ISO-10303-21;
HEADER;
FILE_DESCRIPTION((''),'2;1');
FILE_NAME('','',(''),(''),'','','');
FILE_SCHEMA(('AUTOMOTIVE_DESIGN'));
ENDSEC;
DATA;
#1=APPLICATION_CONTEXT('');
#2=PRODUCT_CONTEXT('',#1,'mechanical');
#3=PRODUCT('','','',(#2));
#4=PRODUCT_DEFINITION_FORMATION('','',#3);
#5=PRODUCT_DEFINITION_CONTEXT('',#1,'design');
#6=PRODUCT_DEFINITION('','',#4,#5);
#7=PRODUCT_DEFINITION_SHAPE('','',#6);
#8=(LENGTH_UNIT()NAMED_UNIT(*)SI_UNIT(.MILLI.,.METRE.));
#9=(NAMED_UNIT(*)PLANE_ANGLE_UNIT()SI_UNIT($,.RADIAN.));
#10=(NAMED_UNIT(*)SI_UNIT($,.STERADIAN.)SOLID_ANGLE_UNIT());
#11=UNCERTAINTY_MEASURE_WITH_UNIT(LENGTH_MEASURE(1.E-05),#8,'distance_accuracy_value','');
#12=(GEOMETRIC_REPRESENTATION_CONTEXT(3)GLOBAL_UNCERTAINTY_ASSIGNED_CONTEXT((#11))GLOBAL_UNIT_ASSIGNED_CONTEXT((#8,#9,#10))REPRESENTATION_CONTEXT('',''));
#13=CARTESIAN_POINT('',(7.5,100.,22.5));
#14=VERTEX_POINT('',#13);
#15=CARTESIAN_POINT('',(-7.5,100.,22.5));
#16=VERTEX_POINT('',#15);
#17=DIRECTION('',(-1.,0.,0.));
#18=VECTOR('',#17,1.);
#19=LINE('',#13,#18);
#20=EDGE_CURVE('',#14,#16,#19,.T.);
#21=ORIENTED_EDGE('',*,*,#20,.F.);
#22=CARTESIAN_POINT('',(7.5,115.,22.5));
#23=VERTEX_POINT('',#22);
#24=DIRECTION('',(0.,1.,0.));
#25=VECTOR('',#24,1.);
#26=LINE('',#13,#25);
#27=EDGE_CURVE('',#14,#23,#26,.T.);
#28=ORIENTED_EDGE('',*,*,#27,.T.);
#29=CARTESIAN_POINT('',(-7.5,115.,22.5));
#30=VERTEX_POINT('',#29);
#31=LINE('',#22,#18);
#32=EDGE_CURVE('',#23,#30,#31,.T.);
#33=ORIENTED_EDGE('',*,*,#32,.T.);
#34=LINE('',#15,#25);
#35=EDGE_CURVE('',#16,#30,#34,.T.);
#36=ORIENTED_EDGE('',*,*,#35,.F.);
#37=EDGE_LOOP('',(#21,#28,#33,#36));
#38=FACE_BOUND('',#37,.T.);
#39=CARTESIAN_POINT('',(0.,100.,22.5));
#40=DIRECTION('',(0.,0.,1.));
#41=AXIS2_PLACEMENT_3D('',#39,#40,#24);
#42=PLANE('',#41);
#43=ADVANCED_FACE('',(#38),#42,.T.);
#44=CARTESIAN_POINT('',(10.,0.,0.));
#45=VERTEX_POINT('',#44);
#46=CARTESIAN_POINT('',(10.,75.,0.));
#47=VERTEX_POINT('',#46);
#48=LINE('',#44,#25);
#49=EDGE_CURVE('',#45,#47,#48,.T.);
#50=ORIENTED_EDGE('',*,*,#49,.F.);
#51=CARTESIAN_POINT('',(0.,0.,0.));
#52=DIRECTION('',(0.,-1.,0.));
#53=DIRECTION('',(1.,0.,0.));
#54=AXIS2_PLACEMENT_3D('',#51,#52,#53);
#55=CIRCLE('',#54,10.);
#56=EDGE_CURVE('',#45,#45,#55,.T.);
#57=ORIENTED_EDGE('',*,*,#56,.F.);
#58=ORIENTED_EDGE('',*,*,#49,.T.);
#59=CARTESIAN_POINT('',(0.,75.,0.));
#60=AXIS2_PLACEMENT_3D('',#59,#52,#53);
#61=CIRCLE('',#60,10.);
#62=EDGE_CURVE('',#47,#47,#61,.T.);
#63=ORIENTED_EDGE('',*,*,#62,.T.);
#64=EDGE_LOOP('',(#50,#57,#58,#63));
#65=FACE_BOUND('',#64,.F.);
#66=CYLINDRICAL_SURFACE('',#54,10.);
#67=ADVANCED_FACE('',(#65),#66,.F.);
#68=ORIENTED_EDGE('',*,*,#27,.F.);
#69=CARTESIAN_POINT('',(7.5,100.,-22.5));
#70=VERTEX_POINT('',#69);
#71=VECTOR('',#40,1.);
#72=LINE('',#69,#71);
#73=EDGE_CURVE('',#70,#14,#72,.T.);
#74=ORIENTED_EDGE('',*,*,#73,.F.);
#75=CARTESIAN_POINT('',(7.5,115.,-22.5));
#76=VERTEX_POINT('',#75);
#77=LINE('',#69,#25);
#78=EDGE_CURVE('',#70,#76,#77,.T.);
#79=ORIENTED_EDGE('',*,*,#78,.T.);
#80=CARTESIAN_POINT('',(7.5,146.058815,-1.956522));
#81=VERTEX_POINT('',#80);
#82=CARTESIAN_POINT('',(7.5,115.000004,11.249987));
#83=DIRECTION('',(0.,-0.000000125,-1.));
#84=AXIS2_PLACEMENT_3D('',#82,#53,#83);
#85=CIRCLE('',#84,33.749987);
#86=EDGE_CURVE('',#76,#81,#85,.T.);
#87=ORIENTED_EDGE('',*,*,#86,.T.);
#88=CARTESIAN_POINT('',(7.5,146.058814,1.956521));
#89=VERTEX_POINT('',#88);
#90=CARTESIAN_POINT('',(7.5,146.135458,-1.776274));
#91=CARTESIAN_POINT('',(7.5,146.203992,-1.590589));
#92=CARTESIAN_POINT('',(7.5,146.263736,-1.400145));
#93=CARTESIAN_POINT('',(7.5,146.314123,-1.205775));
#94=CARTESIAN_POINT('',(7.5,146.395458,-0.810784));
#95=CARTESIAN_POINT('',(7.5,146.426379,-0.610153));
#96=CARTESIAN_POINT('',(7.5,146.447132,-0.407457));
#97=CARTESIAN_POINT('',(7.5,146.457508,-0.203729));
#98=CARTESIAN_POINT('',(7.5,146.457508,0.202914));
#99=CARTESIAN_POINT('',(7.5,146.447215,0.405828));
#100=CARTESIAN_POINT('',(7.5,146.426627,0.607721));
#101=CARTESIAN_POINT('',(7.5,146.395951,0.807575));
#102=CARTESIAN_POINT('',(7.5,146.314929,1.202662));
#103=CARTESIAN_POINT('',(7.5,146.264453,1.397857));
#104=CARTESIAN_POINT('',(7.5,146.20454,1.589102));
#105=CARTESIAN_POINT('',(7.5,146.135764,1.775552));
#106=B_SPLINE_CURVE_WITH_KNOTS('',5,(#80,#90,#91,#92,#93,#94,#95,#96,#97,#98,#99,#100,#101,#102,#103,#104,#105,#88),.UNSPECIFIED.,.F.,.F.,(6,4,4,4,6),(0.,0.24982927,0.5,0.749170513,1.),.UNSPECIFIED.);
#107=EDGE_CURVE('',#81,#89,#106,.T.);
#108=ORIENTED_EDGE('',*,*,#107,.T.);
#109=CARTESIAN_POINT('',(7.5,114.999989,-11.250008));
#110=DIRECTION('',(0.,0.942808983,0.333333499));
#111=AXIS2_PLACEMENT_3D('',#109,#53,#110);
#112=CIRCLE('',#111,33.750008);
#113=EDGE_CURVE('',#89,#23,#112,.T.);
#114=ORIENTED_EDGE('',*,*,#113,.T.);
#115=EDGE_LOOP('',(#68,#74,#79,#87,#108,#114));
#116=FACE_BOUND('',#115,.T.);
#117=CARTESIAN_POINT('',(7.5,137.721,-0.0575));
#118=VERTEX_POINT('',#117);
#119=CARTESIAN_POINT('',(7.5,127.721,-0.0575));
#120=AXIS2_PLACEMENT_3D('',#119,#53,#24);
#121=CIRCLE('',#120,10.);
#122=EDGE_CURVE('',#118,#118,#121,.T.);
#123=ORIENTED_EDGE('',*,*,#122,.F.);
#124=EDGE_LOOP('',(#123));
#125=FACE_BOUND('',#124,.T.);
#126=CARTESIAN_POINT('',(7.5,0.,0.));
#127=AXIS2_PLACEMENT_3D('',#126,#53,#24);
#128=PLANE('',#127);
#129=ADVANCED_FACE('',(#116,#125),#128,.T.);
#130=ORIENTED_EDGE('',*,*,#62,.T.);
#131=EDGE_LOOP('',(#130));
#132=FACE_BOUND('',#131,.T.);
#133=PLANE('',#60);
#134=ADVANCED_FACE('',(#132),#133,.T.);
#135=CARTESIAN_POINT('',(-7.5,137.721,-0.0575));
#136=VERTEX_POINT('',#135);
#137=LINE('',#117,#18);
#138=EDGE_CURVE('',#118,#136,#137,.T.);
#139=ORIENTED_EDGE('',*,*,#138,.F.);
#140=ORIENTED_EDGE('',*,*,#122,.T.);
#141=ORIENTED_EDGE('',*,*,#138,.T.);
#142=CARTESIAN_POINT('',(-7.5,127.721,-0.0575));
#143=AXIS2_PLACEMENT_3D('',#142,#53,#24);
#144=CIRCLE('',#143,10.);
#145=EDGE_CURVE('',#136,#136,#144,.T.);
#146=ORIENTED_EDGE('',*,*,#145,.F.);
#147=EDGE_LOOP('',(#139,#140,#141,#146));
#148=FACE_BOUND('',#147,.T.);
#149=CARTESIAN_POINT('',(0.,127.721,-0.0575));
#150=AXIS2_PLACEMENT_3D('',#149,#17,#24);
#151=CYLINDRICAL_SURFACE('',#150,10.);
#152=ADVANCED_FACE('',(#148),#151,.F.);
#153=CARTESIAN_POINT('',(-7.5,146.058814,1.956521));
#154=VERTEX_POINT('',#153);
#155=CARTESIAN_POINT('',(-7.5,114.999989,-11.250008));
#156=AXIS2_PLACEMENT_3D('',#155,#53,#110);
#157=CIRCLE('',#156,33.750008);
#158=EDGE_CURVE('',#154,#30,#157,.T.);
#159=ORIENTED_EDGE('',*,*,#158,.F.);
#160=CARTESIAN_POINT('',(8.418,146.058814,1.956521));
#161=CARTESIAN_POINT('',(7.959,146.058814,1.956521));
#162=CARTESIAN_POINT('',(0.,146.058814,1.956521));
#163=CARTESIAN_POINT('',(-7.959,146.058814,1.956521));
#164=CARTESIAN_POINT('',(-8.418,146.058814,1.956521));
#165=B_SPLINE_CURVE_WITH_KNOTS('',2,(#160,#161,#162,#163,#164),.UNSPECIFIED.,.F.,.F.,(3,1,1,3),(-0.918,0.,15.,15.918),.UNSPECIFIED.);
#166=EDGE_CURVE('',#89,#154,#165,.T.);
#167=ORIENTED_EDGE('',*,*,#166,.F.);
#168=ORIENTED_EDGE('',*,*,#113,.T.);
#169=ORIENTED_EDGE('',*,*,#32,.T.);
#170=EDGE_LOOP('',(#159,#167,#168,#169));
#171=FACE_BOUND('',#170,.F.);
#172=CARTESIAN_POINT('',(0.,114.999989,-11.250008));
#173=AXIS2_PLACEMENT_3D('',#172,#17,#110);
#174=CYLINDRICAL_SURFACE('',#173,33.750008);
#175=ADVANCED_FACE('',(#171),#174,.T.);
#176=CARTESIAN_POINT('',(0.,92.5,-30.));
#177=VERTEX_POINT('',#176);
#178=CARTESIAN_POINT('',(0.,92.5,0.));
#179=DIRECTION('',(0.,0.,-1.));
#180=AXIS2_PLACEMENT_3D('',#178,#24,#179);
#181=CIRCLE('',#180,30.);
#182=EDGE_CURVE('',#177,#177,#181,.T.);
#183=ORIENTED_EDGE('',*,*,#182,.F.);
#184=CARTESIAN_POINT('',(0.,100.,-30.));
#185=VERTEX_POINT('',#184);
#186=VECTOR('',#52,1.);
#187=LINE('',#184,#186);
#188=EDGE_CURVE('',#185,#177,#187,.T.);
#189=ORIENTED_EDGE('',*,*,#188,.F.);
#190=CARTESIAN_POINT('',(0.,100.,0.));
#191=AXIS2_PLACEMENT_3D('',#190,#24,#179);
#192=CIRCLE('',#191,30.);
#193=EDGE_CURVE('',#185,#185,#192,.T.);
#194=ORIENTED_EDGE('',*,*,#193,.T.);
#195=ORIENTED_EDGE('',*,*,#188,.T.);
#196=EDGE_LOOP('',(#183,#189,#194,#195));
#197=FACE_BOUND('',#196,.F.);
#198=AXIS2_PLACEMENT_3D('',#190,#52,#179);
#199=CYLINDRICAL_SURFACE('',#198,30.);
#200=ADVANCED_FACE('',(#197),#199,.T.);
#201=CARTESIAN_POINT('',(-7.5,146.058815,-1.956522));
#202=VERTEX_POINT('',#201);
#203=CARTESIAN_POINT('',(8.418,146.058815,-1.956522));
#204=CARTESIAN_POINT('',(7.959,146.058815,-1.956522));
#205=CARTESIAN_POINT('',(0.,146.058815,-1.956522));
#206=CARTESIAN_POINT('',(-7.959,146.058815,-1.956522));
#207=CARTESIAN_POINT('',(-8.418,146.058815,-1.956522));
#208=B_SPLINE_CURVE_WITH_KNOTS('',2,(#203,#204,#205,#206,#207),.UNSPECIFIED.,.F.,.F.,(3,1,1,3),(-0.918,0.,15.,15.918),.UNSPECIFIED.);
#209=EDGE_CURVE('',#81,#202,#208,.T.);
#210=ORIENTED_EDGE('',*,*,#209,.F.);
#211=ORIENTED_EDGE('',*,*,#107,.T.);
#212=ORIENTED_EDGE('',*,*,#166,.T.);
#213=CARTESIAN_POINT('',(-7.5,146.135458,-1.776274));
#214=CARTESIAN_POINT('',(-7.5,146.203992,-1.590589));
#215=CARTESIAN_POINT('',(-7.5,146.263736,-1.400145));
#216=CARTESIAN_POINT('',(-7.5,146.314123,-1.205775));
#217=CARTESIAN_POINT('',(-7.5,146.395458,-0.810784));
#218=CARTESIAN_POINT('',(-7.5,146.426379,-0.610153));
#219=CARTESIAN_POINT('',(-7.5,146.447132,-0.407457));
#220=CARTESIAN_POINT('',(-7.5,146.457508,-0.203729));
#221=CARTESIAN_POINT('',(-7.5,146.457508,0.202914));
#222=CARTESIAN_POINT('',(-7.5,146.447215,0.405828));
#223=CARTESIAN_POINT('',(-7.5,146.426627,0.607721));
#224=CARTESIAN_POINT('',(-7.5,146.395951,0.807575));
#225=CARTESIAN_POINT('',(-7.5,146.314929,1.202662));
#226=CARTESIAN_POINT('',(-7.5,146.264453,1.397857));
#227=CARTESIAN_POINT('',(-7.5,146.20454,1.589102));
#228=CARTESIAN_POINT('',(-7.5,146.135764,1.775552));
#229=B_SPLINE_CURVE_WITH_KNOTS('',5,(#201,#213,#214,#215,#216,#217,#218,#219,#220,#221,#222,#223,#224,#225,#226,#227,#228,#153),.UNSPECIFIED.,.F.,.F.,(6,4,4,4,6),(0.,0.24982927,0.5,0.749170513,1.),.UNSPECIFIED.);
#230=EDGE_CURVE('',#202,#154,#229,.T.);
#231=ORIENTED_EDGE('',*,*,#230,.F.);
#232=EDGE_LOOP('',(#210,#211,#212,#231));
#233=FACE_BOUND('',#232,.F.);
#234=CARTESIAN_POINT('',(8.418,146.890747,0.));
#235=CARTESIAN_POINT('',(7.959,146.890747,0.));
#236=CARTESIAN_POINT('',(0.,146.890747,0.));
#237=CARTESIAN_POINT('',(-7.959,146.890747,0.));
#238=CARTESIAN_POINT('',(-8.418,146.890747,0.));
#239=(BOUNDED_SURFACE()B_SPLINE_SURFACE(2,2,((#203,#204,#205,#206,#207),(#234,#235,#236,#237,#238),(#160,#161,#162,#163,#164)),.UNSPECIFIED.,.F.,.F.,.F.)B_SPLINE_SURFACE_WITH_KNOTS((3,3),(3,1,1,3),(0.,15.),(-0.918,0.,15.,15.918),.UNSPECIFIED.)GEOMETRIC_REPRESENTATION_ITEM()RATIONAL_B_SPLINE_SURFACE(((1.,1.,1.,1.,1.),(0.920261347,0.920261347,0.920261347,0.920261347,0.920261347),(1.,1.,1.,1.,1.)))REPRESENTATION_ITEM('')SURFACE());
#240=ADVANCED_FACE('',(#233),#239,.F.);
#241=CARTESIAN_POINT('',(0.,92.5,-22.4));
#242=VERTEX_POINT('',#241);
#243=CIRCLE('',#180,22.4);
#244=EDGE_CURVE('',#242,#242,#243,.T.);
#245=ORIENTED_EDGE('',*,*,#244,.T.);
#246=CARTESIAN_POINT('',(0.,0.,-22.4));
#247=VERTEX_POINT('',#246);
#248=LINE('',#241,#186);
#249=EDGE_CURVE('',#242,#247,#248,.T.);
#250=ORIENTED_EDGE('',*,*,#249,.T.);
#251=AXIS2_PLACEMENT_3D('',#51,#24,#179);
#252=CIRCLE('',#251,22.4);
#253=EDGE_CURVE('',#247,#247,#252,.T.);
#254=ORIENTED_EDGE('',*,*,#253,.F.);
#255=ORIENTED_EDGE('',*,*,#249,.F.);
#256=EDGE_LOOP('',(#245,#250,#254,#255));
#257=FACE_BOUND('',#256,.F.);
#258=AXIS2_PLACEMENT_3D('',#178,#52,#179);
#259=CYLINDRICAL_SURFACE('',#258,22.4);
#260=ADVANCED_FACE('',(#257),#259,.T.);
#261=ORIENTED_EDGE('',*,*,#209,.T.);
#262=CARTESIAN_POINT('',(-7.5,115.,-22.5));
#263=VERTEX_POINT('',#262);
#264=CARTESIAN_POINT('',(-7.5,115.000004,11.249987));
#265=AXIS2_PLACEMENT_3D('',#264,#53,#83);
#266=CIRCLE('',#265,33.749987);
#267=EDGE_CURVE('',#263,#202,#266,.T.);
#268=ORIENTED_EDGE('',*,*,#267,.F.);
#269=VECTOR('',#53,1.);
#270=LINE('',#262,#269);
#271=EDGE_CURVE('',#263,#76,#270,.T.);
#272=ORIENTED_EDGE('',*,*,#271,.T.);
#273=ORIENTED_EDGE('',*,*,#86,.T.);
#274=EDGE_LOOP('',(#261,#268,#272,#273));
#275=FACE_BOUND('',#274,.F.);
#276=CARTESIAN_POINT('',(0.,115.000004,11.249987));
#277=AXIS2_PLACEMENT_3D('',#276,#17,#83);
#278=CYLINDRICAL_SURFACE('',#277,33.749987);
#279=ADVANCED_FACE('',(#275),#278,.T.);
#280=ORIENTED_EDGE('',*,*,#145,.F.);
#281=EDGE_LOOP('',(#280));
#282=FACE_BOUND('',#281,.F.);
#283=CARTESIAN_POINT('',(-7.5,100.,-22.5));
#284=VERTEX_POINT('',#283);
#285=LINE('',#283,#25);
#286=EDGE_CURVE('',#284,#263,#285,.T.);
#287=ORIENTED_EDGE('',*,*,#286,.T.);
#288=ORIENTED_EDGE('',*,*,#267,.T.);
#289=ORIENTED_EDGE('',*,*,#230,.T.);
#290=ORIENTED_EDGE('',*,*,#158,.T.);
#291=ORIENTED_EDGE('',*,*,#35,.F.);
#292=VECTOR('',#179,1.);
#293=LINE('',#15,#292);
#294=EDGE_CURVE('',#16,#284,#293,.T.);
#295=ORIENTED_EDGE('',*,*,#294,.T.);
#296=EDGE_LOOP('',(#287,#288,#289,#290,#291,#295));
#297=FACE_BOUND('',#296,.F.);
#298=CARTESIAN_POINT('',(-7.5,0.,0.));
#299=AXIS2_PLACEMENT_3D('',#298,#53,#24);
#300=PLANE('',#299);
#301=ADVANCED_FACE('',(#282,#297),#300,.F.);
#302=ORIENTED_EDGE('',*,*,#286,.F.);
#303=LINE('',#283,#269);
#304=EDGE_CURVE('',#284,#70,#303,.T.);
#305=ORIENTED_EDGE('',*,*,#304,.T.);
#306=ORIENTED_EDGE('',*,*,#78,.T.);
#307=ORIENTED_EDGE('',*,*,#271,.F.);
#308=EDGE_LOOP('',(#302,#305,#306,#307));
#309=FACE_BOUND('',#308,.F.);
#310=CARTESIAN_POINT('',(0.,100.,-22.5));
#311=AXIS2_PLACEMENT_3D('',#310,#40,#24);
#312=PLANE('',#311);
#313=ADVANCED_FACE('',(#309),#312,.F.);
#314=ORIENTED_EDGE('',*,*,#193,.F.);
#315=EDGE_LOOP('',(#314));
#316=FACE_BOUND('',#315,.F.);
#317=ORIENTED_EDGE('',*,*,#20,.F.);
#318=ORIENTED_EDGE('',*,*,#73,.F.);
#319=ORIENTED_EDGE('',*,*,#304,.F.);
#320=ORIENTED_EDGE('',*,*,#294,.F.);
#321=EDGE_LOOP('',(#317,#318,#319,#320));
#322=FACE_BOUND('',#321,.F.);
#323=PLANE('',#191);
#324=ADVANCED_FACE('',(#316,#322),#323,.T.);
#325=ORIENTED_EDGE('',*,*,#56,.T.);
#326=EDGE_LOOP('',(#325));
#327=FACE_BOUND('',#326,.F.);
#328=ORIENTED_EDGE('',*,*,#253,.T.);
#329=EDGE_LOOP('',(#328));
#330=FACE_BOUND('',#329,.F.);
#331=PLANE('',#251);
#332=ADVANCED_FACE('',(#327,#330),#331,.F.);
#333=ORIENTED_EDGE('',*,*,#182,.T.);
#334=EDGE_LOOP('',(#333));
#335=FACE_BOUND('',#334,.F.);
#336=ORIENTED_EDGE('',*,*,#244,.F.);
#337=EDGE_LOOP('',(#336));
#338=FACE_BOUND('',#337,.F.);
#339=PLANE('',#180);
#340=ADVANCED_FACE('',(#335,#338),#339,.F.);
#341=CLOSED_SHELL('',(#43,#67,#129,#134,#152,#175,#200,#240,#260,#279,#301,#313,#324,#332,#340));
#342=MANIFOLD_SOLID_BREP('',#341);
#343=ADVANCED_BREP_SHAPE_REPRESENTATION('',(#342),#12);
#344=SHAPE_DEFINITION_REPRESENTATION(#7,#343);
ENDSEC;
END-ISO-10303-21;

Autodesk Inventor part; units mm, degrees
ref_plane "YZ Plane" through (0, 0, 0) normal (1, 0, 0) x (0, 1, 0)
ref_plane "XZ Plane" through (0, 0, 0) normal (0, 1, 0) x (-1, 0, 0)
ref_plane "XY Plane" through (0, 0, 0) normal (0, 0, 1) x (1, 0, 0)
sketch "Sketch1" plane through (0, 0, 0) normal (1, 0, 0) x (0, 1, 0)
  line L0 (0, 0) -> (100, 0)
  line L1 (100, 0) -> (100, -30)
  line L2 (100, -30) -> (92.5, -30)
  line L3 (92.5, -30) -> (92.5, -22.4)
  line L4 (92.5, -22.4) -> (0, -22.4)
  line L5 (0, -22.4) -> (0, 0)
  line L6 (100, 0) -> (100, -22.5)
  line L7 (100, -22.5) -> (115, -22.5)
  line L8 (100, 0) -> (100, 22.5)
  line L9 (100, 22.5) -> (115, 22.5)
  circle A0 centre (127.721, -0.0575) radius 10
  arc A1 (146.8198, 0) -> (115, 22.5) centre (115, -11.25) ccw
  arc A2 (115, -22.5) -> (146.8198, 0) centre (115, 11.25) ccw
  dimension "d0" = 100
  dimension "d1" = 30
  dimension "d2" = 7.5
  dimension "d3" = 7.6
  dimension "d9" = 22.5
  dimension "d10" = 15
  dimension "d11" = 22.5
  dimension "d15" = 20
  dimension "d26" = 33.75
  dimension "d27" = 33.75
revolve "Revolution1" add sketch "Sketch1" angle 360 about axis through (0, 0, 0) along (0, 1, 0) contours L0 L1 L2 L3 L4 L5
extrude "Extrusion1" add sketch "Sketch1" along normal mid plane 15 contours L8 L9 A1 A2 L7 L1
fillet "Fillet1" radius 5 1 edges at (0, 146.8198, 0)
thread "Thread1" size "M45x4.5" class "6g" standard "ANSI Metric M Profile" length 10
sketch "Sketch2" plane through (0, 0, 0) normal (0, -1, 0) x (1, 0, 0)
  circle A0 centre (0, 0) radius 10
  dimension "d23" = 20
extrude "Extrusion2" cut sketch "Sketch2" against normal blind 75
properties material "Aluminum 6061"
